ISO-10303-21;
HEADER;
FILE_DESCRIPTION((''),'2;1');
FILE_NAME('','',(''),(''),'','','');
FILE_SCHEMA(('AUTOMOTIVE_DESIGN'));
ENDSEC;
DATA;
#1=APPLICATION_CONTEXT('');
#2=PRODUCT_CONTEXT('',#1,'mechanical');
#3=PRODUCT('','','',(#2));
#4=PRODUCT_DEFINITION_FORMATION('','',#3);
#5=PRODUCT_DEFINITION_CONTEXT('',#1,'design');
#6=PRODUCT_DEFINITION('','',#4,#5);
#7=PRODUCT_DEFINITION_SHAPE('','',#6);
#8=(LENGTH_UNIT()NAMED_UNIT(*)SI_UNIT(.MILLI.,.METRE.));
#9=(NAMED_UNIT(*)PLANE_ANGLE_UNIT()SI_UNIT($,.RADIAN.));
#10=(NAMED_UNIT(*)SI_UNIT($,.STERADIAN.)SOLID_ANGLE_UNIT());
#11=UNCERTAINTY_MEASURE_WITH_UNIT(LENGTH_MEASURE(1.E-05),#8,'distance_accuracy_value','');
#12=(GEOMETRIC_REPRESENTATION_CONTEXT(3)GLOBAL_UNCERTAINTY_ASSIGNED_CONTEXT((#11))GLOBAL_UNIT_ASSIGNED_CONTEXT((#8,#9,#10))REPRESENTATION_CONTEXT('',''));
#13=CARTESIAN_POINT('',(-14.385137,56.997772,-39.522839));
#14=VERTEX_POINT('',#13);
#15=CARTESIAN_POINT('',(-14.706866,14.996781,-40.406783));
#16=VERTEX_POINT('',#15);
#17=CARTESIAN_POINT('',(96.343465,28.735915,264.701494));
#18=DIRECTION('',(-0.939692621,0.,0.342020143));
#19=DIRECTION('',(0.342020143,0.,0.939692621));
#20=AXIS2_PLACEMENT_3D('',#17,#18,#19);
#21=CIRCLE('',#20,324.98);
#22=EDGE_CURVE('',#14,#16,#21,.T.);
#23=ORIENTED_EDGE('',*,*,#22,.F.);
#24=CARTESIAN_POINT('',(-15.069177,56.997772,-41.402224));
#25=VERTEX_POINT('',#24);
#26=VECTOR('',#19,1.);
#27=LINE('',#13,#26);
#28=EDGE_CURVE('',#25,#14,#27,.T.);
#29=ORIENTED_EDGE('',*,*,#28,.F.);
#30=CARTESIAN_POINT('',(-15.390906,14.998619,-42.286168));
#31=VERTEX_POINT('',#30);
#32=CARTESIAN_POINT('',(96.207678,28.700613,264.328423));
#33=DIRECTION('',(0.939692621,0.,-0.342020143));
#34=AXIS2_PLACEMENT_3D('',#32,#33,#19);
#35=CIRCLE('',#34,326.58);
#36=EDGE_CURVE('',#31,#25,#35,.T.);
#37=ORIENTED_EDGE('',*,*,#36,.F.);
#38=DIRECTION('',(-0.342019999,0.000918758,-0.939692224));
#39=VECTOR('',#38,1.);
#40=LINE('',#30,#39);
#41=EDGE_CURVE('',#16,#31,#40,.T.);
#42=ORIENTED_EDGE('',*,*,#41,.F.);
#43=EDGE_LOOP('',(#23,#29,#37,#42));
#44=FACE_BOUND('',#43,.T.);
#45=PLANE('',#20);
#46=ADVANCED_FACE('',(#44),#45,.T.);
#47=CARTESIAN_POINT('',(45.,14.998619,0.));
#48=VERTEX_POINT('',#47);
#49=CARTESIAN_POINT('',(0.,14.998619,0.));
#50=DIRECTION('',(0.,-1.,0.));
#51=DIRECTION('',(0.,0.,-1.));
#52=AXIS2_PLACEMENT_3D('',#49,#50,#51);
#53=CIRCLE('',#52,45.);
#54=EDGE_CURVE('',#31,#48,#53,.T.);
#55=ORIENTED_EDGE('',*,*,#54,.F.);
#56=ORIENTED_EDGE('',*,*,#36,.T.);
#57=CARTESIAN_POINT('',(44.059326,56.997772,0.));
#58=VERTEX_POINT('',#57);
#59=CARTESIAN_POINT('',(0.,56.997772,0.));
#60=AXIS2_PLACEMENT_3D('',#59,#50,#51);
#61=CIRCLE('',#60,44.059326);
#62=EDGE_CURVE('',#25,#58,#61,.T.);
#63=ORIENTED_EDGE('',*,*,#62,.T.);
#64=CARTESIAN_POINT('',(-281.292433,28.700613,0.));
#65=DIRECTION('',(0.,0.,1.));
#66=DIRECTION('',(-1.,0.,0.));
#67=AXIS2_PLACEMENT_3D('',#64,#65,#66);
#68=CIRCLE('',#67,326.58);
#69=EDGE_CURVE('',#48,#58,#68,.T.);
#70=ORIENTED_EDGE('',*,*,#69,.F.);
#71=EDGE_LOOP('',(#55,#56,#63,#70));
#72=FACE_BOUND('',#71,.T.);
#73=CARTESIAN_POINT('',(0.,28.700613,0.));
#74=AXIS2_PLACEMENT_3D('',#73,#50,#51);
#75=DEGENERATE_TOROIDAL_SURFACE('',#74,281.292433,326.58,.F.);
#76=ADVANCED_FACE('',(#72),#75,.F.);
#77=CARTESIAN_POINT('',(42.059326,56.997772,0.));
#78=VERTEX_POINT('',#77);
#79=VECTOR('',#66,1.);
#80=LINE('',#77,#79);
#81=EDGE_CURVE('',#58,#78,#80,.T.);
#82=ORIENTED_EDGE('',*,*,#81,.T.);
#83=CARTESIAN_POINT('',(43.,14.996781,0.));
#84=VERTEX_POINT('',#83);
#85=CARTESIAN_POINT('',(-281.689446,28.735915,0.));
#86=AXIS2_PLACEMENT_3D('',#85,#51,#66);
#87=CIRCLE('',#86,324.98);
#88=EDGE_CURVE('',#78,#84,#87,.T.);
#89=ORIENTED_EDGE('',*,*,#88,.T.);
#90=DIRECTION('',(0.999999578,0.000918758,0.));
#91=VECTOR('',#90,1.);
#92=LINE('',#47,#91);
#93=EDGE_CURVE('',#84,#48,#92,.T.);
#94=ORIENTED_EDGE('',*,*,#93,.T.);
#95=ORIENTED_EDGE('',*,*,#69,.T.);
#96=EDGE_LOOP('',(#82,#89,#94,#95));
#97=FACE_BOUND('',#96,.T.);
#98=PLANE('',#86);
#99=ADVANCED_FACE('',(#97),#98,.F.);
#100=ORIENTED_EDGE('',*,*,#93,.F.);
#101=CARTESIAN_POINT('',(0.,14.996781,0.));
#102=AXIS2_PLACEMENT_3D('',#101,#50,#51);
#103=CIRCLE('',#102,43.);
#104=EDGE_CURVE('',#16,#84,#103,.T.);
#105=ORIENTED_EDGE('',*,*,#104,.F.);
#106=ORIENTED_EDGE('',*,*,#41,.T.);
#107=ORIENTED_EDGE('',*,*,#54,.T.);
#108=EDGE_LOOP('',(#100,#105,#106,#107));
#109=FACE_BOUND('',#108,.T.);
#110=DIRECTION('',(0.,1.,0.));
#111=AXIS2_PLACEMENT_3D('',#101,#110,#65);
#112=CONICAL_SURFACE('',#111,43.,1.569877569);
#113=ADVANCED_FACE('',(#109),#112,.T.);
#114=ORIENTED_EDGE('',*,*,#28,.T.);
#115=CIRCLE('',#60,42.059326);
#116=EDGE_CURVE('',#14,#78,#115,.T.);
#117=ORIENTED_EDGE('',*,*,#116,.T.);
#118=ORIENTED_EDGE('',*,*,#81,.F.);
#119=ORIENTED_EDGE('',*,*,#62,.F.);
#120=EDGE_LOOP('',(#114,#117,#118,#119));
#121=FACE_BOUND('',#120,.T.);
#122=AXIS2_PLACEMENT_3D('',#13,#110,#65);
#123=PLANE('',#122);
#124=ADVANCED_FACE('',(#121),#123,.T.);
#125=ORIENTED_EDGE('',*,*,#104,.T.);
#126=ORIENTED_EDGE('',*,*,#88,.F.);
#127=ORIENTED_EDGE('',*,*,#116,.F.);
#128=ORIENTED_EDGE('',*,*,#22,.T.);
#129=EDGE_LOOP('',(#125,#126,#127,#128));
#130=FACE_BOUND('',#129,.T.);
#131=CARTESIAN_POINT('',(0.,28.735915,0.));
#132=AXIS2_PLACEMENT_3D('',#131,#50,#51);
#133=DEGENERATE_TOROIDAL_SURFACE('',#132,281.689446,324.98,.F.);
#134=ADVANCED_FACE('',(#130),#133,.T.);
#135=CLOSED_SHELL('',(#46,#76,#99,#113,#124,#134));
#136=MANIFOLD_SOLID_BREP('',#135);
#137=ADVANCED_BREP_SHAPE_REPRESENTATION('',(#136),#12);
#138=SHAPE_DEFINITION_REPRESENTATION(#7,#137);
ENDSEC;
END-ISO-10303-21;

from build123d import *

# Parameters (mm, degrees)
REVOLVE_1_ANGLE = 110


with BuildPart() as part:
    # Эскиз1 → Повернуть1 (revolve)
    with BuildSketch(Plane.XY):
        with BuildLine():
            Line((45, 14.9986189), (43, 14.996781384))
            ThreePointArc((43, 14.996781384), (43.209079003, 36.012493393), (42.059326302, 56.997772375))
            Line((42.059326302, 56.997772375), (44.059326302, 56.997772375))
            ThreePointArc((44.059326302, 56.997772375), (45.205684243, 36.013336783), (45, 14.9986189))
        make_face()
    revolve(axis=Axis((0, 0, 0), (0, 1, 0)), revolution_arc=REVOLVE_1_ANGLE)


solid = part.part
